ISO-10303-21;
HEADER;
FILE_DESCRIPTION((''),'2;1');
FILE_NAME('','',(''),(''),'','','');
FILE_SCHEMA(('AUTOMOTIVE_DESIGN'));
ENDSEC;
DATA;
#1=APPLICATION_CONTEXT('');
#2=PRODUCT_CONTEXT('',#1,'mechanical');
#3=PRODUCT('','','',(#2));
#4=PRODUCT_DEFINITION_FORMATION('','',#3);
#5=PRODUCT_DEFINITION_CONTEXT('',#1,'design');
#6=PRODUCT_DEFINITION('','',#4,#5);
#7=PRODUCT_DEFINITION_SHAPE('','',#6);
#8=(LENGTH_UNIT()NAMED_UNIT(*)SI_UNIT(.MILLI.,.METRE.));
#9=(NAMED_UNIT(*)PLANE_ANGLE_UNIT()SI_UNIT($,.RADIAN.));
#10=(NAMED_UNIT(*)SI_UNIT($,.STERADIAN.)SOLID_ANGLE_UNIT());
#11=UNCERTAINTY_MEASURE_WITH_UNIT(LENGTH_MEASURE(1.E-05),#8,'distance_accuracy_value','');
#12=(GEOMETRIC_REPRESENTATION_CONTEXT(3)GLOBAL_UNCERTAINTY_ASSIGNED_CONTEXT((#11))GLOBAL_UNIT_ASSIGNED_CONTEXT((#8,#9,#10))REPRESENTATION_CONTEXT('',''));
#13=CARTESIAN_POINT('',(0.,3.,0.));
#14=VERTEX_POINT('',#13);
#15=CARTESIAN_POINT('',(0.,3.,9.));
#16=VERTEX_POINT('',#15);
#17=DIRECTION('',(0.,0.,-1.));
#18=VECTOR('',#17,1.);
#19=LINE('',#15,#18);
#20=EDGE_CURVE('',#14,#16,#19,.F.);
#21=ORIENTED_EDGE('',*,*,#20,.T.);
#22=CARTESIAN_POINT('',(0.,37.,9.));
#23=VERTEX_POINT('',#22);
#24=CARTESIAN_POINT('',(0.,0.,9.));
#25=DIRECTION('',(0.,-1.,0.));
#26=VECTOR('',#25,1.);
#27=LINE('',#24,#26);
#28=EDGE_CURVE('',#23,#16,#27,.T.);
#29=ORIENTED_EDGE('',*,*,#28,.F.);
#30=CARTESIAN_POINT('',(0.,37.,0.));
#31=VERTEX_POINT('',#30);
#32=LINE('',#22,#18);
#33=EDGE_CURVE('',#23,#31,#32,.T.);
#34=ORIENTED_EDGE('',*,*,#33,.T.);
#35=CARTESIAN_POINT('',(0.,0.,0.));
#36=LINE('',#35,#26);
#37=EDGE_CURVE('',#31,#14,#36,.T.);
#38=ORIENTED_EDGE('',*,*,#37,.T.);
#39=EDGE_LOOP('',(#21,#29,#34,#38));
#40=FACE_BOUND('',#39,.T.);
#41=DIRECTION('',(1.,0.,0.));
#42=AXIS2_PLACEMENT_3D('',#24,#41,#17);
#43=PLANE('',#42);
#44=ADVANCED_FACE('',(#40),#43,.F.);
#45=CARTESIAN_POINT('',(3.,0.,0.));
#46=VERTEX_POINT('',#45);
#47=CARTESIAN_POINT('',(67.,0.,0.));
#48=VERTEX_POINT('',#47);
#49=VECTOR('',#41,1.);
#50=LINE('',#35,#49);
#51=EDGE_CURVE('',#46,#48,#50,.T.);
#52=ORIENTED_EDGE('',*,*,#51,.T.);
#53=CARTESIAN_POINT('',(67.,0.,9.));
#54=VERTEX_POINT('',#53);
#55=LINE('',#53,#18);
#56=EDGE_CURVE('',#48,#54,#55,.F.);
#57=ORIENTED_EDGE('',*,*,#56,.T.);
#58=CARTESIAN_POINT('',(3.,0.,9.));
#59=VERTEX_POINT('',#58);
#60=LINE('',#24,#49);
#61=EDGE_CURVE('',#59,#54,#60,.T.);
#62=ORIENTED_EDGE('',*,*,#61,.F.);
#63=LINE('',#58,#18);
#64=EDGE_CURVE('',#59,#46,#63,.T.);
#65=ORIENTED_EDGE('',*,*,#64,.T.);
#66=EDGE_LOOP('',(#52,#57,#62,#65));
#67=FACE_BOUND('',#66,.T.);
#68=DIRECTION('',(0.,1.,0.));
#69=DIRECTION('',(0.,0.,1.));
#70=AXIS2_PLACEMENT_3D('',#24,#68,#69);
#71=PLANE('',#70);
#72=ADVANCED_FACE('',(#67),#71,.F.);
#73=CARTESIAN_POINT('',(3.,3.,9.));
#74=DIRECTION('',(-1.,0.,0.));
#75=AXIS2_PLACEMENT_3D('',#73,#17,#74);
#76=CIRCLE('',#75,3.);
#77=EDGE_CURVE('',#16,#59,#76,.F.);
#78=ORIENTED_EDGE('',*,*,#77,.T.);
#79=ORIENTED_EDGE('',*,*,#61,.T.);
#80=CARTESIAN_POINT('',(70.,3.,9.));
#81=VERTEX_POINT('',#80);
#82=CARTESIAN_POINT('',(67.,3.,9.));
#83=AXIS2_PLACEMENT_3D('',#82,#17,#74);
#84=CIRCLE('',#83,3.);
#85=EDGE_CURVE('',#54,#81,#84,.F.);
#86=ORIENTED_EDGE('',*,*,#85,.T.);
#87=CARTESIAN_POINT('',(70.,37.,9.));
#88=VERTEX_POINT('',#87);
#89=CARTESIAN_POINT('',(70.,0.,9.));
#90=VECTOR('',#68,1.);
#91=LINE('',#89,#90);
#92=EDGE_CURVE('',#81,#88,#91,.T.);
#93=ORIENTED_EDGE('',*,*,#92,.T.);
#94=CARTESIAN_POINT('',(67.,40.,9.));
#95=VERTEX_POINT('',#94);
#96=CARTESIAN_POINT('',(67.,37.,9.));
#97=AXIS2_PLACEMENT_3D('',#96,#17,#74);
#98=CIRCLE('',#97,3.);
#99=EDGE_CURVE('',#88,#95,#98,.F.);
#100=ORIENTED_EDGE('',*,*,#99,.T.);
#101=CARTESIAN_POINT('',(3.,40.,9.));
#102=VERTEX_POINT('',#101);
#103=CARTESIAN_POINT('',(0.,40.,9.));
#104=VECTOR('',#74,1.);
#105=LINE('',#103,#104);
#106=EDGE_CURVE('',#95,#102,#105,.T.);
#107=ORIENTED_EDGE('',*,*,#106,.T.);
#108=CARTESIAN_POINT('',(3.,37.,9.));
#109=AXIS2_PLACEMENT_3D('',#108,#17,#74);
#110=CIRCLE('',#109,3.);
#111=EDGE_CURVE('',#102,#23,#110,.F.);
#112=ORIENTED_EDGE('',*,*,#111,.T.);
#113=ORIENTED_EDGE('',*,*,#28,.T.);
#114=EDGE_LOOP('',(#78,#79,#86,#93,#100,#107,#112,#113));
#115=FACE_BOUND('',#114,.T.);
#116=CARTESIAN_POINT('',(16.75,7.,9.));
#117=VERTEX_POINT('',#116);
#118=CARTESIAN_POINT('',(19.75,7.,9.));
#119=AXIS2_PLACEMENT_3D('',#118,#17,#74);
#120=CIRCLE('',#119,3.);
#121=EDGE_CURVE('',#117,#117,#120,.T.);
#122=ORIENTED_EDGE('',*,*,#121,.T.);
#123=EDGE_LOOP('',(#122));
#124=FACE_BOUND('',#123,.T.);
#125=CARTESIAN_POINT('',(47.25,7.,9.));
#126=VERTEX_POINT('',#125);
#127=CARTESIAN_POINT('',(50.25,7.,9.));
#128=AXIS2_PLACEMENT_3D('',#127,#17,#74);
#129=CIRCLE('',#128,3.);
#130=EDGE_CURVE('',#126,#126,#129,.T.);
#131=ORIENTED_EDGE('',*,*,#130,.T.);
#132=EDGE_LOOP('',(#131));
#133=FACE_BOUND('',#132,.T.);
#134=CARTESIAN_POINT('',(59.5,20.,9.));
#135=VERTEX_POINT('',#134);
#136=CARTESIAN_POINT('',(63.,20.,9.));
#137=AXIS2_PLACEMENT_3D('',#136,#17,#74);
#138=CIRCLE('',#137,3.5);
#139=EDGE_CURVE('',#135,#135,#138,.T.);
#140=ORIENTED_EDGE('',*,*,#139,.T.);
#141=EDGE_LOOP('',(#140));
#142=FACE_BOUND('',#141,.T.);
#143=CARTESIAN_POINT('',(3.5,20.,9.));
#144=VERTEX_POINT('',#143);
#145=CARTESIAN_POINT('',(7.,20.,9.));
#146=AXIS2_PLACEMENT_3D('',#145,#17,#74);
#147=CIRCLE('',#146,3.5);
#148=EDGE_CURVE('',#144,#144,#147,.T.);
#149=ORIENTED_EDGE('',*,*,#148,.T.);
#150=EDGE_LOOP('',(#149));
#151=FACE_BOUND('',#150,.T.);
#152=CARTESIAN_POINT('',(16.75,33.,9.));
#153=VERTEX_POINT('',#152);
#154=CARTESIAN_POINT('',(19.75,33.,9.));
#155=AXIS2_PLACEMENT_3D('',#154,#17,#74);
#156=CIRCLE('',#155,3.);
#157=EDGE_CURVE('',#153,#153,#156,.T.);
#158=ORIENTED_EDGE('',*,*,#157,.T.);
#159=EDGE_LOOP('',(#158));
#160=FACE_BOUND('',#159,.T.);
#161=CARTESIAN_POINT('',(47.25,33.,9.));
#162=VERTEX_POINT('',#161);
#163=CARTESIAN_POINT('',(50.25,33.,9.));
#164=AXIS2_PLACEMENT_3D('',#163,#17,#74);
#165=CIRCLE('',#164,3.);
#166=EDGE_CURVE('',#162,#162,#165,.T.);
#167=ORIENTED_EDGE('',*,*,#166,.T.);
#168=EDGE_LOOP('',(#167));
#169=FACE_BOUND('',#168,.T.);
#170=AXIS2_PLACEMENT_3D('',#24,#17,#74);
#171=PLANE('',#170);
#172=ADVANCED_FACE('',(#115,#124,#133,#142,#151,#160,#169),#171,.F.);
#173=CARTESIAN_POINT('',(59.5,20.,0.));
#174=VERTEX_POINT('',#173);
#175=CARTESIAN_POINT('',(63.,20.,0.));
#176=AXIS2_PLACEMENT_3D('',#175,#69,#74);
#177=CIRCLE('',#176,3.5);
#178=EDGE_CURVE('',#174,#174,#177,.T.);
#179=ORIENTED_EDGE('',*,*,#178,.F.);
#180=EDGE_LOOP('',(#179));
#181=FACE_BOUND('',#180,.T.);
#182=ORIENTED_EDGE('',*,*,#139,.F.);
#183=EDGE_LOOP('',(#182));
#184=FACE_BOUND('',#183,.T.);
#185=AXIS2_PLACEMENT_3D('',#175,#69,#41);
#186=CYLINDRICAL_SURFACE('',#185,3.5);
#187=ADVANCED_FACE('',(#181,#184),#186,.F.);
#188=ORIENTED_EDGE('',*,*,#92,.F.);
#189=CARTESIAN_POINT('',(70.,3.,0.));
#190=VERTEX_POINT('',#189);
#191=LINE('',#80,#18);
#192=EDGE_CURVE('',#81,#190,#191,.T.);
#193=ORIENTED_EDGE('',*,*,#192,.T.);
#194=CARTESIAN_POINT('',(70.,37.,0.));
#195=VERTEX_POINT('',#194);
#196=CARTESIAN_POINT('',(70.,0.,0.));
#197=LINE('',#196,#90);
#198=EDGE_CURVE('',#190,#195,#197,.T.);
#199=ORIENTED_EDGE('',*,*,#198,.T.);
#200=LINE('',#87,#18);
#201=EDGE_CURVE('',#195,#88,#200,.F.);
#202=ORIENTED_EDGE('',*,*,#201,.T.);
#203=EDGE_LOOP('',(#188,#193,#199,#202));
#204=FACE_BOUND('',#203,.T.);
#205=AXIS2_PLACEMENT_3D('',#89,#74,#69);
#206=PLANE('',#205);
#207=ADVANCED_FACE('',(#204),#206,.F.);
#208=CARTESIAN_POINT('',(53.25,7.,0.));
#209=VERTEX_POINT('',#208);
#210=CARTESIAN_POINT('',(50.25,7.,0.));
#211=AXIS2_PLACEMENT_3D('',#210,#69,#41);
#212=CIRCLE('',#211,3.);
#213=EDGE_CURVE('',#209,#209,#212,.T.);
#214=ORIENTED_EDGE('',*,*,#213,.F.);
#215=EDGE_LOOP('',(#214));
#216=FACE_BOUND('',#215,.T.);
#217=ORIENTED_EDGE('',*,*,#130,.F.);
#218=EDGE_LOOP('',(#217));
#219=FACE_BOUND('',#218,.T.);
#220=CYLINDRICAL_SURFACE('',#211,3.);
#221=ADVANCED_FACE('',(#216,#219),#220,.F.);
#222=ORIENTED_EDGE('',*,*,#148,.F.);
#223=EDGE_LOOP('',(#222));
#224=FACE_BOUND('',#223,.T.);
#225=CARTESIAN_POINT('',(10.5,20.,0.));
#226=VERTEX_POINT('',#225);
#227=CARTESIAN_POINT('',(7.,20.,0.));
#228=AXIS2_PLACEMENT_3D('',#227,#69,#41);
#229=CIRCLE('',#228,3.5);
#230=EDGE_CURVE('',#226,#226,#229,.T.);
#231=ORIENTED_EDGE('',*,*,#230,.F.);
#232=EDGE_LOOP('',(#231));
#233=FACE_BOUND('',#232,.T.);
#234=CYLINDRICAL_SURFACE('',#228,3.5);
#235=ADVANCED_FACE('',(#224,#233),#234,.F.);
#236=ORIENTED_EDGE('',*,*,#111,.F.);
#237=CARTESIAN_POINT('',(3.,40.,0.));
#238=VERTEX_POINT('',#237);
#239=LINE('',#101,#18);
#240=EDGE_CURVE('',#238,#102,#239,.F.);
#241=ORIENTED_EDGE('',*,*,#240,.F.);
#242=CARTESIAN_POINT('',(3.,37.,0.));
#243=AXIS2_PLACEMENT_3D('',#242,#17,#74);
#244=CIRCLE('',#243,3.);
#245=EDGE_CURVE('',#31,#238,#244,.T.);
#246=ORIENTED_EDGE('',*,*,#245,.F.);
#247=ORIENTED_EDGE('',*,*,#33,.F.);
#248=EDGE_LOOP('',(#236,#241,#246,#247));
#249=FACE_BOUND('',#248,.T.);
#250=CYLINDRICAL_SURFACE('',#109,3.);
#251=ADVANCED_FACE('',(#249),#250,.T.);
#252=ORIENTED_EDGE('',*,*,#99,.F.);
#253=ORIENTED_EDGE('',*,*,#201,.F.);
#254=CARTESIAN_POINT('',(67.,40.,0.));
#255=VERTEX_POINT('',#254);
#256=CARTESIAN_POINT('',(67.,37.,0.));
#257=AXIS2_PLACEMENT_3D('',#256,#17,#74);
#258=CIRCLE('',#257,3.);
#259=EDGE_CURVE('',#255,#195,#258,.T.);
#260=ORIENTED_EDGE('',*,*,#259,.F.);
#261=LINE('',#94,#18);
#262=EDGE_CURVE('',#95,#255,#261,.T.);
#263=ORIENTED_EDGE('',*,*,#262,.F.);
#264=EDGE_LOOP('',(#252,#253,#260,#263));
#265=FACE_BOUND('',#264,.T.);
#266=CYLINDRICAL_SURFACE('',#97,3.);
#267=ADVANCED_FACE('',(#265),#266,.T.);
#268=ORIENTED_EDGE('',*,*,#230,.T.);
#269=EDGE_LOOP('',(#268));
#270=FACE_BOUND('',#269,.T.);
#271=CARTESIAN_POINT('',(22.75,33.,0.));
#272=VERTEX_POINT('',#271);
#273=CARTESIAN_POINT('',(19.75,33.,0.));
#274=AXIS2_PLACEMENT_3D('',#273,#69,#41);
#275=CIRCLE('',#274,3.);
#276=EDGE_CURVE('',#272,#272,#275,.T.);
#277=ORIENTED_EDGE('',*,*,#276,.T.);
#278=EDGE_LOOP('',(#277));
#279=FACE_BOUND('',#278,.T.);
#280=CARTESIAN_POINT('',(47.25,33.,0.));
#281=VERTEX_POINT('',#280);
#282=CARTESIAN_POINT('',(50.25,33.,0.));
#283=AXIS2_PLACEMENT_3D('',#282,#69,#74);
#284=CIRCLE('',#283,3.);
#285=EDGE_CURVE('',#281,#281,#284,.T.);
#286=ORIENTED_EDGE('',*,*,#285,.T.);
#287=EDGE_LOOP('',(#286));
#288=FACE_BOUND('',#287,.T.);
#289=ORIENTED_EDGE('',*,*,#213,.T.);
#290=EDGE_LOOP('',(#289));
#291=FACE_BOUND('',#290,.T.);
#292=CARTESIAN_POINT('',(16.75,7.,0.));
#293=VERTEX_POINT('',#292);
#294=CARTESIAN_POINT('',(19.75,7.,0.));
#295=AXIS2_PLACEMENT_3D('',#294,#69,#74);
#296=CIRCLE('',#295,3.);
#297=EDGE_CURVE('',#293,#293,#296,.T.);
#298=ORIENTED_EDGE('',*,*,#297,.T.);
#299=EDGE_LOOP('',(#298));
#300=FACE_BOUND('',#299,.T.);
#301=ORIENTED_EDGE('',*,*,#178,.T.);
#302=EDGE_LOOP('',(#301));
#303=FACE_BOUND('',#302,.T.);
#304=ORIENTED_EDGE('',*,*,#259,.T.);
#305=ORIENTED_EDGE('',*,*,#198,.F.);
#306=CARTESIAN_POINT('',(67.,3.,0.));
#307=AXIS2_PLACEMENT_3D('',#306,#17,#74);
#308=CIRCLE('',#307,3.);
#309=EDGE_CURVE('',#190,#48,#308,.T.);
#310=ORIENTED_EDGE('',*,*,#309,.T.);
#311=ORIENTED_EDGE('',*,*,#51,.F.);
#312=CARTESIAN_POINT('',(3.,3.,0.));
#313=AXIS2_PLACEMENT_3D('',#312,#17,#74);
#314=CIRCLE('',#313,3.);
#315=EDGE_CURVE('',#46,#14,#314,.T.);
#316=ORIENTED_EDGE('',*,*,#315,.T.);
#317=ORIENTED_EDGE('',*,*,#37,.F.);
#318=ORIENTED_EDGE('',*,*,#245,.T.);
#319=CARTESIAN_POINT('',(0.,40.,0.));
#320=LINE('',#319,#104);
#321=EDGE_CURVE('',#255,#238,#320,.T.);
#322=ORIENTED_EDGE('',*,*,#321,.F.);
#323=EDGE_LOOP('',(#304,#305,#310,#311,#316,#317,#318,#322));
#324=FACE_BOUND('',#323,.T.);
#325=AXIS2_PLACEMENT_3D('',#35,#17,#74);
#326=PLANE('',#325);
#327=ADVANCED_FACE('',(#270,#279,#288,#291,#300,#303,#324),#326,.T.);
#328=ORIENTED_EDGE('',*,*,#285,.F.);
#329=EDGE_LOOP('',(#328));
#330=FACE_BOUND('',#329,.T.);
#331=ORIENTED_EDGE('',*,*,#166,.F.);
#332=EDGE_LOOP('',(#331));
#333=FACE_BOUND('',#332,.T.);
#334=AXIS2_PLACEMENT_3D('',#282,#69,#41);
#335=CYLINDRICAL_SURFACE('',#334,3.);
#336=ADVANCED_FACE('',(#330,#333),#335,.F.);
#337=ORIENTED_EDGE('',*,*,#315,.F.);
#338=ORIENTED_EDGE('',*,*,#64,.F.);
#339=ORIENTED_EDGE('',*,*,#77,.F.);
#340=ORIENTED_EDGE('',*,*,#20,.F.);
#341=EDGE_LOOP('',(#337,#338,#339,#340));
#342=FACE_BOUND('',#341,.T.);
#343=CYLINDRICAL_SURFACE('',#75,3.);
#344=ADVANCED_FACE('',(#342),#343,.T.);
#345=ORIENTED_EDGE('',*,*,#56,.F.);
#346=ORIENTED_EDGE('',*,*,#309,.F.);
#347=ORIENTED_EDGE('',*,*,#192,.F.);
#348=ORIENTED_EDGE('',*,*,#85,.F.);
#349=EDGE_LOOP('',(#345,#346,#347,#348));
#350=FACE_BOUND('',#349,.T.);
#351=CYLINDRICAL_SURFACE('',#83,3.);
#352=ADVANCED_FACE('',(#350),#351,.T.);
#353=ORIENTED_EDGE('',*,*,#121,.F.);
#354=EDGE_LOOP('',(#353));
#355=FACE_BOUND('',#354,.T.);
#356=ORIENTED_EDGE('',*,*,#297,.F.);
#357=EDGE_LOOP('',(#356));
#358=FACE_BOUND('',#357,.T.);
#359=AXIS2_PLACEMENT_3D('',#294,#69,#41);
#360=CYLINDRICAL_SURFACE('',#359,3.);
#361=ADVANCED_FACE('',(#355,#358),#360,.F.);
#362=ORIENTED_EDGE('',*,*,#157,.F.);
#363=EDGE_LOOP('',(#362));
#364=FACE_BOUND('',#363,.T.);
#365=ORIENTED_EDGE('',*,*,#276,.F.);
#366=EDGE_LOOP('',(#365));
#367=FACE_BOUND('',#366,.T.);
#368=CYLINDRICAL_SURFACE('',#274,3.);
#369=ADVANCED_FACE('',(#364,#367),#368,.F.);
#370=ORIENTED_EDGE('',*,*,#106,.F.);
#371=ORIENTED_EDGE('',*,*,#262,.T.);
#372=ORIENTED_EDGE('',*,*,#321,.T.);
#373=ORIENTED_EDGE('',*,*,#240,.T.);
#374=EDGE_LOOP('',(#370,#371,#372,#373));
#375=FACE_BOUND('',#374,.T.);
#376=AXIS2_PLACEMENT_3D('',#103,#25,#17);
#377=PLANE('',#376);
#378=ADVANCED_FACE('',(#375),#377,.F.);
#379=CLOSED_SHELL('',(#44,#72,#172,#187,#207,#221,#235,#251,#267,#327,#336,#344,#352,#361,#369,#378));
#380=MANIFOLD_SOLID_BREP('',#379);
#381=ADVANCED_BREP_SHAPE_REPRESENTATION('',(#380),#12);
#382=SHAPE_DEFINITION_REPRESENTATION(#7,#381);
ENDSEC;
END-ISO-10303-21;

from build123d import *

# Parameters (mm, degrees)
ESQUISSE1_W                  = 70
ESQUISSE1_H                  = 40
BOSS_EXTRU_1_DEPTH           = 9
ESQUISSE2_R                  = 3
ESQUISSE2_R_2                = 3.5
ENL_V_MAT_EXTRU_1_DEPTH      = 1
ENL_V_MAT_EXTRU_1_DEPTH_BACK = 10
CONG_1_R                     = 3


with BuildPart() as part:
    # Esquisse1 → Boss.-Extru.1 (new body)
    with BuildSketch(Plane.XY):
        with Locations((35, 20)):
            Rectangle(ESQUISSE1_W, ESQUISSE1_H)
    extrude(amount=BOSS_EXTRU_1_DEPTH)

    # Esquisse2 → Enlèv. mat.-Extru.1 (cut, two sides)
    with BuildSketch(Plane.XY.offset(9)) as enl_v_mat_extru_1_sk:
        with Locations((19.75, 33)):
            Circle(ESQUISSE2_R)
        with Locations((50.25, 33)):
            Circle(ESQUISSE2_R)
        with Locations((50.25, 7)):
            Circle(ESQUISSE2_R)
        with Locations((19.75, 7)):
            Circle(ESQUISSE2_R)
        with Locations((7, 20)):
            Circle(ESQUISSE2_R_2)
        with Locations((63, 20)):
            Circle(ESQUISSE2_R_2)
    extrude(amount=ENL_V_MAT_EXTRU_1_DEPTH, mode=Mode.SUBTRACT)
    extrude(enl_v_mat_extru_1_sk.sketch, amount=-ENL_V_MAT_EXTRU_1_DEPTH_BACK, mode=Mode.SUBTRACT)

    # Congé1
    cong_1_edges = [part.edges().sort_by_distance(p)[0] for p in [
        (0, 40, 4.5),
        (70, 40, 4.5),
        (70, 0, 4.5),
        (0, 0, 4.5),
    ]]
    fillet(cong_1_edges, radius=CONG_1_R)


solid = part.part
